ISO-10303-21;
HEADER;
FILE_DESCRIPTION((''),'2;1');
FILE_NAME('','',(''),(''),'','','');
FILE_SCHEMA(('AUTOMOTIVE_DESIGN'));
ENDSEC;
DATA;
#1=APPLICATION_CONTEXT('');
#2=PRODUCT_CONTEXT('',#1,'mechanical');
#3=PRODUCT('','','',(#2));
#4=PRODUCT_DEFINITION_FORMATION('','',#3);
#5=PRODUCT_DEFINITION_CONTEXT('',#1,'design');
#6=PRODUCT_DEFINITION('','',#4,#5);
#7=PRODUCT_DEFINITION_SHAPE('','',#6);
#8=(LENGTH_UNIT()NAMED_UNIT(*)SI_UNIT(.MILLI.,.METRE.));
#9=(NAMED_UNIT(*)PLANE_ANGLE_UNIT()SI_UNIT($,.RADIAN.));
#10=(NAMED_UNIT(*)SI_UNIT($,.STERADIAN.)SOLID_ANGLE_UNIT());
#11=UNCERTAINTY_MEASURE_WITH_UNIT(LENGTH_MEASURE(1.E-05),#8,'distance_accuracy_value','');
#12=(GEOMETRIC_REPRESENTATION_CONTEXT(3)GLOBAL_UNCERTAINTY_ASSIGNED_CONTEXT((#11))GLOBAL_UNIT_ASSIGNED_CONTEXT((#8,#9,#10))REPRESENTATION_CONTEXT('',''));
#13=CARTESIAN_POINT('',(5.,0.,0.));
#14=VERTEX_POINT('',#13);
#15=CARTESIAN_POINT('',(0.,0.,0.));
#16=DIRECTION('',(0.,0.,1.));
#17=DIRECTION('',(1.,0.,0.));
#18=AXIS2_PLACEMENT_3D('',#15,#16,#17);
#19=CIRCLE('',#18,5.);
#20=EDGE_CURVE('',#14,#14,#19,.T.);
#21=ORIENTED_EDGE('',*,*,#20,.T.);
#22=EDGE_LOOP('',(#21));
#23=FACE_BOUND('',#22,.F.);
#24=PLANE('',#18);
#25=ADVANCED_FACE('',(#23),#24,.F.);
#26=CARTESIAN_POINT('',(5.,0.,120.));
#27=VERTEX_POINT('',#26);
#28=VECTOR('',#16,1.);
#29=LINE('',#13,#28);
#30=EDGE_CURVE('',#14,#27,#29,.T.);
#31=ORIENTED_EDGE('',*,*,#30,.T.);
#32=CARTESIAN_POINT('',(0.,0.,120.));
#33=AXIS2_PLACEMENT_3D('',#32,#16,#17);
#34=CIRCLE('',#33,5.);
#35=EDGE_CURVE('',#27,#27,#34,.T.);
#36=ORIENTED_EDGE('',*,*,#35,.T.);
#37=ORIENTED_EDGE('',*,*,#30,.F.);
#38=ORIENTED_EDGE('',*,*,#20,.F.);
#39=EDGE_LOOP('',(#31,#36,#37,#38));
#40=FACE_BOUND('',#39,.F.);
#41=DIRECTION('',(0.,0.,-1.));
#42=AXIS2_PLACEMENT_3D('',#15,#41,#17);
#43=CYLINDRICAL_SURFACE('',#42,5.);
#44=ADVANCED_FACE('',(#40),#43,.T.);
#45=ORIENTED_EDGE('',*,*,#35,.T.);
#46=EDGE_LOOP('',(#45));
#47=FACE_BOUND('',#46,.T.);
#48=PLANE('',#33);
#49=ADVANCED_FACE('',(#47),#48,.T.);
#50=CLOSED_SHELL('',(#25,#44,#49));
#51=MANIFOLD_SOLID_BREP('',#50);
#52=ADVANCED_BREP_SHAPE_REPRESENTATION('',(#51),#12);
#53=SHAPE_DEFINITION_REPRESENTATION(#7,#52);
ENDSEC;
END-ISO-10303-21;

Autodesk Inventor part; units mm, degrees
ref_plane "YZ Plane" through (0, 0, 0) normal (1, 0, 0) x (0, 1, 0)
ref_plane "XZ Plane" through (0, 0, 0) normal (0, 1, 0) x (-1, 0, 0)
ref_plane "XY Plane" through (0, 0, 0) normal (0, 0, 1) x (1, 0, 0)
sketch "Sketch1" plane through (0, 0, 0) normal (0, 0, 1) x (1, 0, 0)
  circle A0 centre (0, 0) radius 5
  dimension "d0" = 10
extrude "Extrusion1" add sketch "Sketch1" along normal blind 120
properties part number "BallScrew120mm"
